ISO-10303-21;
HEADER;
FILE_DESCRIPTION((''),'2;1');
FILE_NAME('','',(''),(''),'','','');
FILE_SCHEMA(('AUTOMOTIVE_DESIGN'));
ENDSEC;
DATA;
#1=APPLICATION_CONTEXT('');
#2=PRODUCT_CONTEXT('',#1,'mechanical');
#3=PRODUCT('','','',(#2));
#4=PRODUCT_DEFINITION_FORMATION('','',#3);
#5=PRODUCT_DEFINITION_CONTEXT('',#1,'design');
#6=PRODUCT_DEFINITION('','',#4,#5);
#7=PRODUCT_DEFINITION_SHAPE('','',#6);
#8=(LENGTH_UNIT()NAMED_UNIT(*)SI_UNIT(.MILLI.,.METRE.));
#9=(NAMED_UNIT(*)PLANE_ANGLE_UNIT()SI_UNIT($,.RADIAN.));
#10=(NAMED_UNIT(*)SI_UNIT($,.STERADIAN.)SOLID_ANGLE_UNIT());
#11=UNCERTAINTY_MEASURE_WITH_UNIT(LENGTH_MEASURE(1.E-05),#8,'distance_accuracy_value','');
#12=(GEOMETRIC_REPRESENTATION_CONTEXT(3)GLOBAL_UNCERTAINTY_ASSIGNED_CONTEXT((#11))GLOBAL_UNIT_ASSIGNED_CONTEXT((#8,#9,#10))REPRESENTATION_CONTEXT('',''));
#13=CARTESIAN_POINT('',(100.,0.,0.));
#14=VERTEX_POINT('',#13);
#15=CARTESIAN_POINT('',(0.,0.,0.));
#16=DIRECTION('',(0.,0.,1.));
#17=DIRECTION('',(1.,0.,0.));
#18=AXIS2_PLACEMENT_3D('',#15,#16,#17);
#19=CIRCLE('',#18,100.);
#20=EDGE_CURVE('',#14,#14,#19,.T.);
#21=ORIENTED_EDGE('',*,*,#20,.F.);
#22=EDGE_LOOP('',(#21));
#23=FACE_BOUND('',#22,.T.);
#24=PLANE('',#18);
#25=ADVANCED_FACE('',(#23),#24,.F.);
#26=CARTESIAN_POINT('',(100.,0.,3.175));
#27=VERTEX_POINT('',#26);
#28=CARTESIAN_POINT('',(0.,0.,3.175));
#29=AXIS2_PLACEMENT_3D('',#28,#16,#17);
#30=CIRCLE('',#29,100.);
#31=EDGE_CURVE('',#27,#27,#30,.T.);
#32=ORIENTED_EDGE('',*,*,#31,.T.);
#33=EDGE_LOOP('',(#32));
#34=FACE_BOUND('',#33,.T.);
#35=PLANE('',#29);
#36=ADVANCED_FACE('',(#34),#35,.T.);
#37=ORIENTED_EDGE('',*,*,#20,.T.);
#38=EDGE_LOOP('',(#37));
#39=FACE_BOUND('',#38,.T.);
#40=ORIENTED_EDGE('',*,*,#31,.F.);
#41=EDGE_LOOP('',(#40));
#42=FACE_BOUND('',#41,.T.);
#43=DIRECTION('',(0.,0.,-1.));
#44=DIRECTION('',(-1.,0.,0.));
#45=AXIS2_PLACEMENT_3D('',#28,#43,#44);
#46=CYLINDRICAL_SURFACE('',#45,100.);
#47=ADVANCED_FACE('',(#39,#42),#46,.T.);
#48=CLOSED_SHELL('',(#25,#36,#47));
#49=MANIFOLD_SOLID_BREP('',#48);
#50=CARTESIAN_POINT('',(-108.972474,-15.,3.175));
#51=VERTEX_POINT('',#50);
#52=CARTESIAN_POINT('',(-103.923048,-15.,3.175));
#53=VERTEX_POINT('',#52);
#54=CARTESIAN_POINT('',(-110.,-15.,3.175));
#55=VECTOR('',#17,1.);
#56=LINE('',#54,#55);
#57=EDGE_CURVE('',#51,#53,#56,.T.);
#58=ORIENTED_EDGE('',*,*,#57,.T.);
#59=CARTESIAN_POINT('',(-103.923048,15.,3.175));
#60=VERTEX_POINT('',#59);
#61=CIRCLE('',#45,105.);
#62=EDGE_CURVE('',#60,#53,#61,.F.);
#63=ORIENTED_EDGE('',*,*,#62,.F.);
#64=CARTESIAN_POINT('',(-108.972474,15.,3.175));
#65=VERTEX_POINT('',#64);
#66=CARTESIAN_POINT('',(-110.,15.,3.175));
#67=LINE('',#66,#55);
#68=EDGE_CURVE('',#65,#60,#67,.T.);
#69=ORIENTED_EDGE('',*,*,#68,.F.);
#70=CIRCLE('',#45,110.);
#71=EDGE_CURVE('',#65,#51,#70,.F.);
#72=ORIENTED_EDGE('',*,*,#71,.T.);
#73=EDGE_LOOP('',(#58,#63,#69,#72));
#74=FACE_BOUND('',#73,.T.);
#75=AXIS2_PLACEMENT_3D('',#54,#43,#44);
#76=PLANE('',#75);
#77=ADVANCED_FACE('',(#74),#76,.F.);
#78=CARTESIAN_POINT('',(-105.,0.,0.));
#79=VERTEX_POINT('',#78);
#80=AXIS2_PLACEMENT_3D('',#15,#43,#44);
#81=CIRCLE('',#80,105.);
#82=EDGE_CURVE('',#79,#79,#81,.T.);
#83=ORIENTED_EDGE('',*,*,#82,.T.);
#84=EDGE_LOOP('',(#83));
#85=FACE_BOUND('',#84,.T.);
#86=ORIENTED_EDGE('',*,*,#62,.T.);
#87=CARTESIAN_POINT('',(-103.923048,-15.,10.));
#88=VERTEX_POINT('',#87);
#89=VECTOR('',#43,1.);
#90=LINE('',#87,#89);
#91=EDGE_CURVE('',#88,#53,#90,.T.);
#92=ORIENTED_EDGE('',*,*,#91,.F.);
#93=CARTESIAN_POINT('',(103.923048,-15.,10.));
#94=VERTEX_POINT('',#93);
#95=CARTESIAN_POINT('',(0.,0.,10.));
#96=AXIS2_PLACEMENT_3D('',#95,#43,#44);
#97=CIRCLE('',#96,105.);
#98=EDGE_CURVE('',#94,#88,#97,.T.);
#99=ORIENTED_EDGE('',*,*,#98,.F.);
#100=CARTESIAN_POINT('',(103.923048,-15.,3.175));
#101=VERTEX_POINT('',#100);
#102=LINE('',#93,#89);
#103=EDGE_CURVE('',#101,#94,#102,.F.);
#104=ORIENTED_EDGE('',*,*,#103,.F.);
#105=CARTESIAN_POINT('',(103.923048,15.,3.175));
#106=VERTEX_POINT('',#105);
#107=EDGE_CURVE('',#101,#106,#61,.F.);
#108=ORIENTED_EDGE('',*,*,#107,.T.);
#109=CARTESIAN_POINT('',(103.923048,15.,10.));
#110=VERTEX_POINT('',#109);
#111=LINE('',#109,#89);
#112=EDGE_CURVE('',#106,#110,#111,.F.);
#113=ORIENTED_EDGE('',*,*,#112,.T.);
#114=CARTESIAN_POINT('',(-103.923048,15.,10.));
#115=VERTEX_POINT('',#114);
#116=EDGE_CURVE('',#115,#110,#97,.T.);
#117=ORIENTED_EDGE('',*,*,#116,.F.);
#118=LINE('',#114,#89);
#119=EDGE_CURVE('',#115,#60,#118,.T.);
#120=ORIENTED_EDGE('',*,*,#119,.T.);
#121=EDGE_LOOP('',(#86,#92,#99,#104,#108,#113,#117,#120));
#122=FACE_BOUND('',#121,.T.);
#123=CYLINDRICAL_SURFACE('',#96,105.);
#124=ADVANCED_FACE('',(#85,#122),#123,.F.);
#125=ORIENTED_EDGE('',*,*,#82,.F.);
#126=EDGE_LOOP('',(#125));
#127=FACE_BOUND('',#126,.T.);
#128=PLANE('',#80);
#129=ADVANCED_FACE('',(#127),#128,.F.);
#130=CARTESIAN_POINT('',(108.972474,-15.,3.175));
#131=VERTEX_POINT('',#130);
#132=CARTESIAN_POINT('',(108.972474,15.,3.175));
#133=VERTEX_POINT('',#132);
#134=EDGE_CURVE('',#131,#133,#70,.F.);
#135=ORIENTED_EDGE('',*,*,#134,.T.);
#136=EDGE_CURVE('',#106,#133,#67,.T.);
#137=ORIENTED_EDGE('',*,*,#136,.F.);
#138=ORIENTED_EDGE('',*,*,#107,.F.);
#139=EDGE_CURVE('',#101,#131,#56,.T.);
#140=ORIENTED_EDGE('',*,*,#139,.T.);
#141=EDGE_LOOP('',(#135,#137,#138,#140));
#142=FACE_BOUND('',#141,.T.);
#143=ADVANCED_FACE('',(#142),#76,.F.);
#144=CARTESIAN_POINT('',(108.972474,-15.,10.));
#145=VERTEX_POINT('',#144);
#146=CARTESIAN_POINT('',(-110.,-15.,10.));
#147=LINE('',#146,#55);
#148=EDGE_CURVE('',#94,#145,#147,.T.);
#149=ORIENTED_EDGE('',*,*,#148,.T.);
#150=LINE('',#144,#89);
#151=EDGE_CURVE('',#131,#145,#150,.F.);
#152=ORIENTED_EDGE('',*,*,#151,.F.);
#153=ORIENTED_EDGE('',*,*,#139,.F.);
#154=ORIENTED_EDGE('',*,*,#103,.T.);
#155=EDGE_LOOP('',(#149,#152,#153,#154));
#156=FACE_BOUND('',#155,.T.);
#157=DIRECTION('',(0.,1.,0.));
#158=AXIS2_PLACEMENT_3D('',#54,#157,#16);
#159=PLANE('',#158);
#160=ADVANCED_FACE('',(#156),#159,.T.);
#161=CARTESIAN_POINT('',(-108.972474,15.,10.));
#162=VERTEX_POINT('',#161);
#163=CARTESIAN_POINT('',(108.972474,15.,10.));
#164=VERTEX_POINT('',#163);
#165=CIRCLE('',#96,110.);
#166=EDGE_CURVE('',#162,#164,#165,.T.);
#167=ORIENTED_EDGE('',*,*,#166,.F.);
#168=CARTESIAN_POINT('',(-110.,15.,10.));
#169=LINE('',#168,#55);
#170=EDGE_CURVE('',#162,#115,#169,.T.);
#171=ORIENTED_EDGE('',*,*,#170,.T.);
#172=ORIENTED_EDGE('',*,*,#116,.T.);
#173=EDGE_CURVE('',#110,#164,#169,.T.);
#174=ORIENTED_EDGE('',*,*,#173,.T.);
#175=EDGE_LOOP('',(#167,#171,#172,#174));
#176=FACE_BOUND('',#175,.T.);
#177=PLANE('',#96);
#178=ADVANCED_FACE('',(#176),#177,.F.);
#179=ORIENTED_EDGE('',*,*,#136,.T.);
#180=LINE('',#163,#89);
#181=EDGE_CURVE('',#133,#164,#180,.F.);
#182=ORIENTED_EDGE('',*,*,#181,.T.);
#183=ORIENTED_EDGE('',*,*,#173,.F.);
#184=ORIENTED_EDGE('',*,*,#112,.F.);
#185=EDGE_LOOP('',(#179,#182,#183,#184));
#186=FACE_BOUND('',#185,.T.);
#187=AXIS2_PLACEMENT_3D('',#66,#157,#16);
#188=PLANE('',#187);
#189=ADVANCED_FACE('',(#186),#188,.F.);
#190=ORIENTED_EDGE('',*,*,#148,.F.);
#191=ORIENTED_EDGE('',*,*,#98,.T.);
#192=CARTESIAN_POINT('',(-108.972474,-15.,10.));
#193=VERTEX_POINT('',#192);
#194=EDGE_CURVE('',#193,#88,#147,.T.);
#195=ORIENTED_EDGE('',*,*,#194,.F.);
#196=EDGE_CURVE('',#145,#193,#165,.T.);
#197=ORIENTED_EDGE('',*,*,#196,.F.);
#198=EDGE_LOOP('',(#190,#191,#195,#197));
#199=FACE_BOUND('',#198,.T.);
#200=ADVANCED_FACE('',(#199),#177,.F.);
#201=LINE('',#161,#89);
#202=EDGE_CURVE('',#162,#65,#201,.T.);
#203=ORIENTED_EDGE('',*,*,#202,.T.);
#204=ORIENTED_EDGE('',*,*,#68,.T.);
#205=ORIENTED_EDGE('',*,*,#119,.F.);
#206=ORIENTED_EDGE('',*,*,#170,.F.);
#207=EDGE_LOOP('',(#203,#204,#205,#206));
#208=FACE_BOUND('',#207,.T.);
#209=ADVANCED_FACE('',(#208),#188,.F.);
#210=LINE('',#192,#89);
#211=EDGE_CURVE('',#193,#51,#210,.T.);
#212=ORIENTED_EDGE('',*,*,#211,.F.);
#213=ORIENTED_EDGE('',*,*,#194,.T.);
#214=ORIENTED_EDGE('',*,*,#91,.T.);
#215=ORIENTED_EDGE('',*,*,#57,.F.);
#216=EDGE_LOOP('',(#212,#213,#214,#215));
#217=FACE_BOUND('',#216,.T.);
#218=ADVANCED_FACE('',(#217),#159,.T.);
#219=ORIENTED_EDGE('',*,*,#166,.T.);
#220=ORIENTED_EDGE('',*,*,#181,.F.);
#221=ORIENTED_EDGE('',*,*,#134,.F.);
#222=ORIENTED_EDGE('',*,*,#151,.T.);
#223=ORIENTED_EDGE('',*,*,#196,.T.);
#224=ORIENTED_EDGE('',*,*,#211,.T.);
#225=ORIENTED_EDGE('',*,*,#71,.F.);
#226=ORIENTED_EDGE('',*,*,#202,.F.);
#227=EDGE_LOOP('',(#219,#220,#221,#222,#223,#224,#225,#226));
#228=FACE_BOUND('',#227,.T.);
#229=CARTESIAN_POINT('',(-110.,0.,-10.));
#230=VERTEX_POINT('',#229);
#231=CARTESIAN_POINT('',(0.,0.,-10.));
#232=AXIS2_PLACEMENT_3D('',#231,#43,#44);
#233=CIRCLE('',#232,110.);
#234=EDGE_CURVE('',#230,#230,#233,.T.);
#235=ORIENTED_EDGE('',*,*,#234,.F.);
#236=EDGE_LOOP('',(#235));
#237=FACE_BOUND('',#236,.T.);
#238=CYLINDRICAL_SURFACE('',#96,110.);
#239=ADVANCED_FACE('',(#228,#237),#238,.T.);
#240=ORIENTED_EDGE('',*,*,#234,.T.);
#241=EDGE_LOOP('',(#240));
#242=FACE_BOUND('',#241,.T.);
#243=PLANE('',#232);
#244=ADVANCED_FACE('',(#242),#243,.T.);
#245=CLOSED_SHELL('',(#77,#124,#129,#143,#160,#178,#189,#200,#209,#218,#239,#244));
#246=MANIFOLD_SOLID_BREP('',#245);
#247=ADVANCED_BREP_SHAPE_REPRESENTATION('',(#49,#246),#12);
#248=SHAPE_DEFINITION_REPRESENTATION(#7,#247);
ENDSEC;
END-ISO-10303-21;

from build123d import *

# Parameters (mm, degrees)
SKETCH2_R               = 100
BASE_PLATE_DEPTH        = 3.175
SKETCH3_R               = 110
SKETCH3_R_2             = 105
BOSS_EXTRUDE2_DEPTH     = 10
SKETCH10_R              = 110
BOSS_EXTRUDE4_DEPTH     = 10
CUT_EXTRUDE2_DEPTH      = 156.884572681
CUT_EXTRUDE2_DEPTH_BACK = 156.884572681
SKETCH12_W              = 30
SKETCH12_H              = 6.825


with BuildPart() as part:
    # Sketch2 → Base Plate (new body)
    with BuildSketch(Plane(origin=(0, 0, 0), x_dir=(0, 1, 0), z_dir=(0, 0, 1))):
        with Locations(Location((0, 0, 0), (0, 0, 270))):
            Circle(SKETCH2_R)
    extrude(amount=BASE_PLATE_DEPTH)


with BuildPart() as body_2:
    # Sketch3 → Boss-Extrude2 (new body)
    with BuildSketch(Plane(origin=(0, 0, 0), x_dir=(1, 0, 0), z_dir=(0, 0, -1))):
        with Locations(Location((0, 0, 0), (0, 0, 180))):
            Circle(SKETCH3_R)
        with Locations(Location((0, 0, 0), (0, 0, 180))):
            Circle(SKETCH3_R_2, mode=Mode.SUBTRACT)
    extrude(amount=-BOSS_EXTRUDE2_DEPTH)

    # Sketch10 → Boss-Extrude4 (add)
    with BuildSketch(Plane(origin=(0, 0, 0), x_dir=(1, 0, 0), z_dir=(0, 0, -1))):
        with Locations(Location((0, 0, 0), (0, 0, 180))):
            Circle(SKETCH10_R)
    extrude(amount=BOSS_EXTRUDE4_DEPTH)

    # Sketch12 → Cut-Extrude2 (cut, two sides: drawn at the far end of the back side and taken through both)
    with BuildSketch(Plane.YZ.offset(-CUT_EXTRUDE2_DEPTH_BACK)):
        with Locations((0, 6.5875)):
            Rectangle(SKETCH12_W, SKETCH12_H)
    extrude(amount=CUT_EXTRUDE2_DEPTH + CUT_EXTRUDE2_DEPTH_BACK, mode=Mode.SUBTRACT)


solid = Compound([part.part, body_2.part])
